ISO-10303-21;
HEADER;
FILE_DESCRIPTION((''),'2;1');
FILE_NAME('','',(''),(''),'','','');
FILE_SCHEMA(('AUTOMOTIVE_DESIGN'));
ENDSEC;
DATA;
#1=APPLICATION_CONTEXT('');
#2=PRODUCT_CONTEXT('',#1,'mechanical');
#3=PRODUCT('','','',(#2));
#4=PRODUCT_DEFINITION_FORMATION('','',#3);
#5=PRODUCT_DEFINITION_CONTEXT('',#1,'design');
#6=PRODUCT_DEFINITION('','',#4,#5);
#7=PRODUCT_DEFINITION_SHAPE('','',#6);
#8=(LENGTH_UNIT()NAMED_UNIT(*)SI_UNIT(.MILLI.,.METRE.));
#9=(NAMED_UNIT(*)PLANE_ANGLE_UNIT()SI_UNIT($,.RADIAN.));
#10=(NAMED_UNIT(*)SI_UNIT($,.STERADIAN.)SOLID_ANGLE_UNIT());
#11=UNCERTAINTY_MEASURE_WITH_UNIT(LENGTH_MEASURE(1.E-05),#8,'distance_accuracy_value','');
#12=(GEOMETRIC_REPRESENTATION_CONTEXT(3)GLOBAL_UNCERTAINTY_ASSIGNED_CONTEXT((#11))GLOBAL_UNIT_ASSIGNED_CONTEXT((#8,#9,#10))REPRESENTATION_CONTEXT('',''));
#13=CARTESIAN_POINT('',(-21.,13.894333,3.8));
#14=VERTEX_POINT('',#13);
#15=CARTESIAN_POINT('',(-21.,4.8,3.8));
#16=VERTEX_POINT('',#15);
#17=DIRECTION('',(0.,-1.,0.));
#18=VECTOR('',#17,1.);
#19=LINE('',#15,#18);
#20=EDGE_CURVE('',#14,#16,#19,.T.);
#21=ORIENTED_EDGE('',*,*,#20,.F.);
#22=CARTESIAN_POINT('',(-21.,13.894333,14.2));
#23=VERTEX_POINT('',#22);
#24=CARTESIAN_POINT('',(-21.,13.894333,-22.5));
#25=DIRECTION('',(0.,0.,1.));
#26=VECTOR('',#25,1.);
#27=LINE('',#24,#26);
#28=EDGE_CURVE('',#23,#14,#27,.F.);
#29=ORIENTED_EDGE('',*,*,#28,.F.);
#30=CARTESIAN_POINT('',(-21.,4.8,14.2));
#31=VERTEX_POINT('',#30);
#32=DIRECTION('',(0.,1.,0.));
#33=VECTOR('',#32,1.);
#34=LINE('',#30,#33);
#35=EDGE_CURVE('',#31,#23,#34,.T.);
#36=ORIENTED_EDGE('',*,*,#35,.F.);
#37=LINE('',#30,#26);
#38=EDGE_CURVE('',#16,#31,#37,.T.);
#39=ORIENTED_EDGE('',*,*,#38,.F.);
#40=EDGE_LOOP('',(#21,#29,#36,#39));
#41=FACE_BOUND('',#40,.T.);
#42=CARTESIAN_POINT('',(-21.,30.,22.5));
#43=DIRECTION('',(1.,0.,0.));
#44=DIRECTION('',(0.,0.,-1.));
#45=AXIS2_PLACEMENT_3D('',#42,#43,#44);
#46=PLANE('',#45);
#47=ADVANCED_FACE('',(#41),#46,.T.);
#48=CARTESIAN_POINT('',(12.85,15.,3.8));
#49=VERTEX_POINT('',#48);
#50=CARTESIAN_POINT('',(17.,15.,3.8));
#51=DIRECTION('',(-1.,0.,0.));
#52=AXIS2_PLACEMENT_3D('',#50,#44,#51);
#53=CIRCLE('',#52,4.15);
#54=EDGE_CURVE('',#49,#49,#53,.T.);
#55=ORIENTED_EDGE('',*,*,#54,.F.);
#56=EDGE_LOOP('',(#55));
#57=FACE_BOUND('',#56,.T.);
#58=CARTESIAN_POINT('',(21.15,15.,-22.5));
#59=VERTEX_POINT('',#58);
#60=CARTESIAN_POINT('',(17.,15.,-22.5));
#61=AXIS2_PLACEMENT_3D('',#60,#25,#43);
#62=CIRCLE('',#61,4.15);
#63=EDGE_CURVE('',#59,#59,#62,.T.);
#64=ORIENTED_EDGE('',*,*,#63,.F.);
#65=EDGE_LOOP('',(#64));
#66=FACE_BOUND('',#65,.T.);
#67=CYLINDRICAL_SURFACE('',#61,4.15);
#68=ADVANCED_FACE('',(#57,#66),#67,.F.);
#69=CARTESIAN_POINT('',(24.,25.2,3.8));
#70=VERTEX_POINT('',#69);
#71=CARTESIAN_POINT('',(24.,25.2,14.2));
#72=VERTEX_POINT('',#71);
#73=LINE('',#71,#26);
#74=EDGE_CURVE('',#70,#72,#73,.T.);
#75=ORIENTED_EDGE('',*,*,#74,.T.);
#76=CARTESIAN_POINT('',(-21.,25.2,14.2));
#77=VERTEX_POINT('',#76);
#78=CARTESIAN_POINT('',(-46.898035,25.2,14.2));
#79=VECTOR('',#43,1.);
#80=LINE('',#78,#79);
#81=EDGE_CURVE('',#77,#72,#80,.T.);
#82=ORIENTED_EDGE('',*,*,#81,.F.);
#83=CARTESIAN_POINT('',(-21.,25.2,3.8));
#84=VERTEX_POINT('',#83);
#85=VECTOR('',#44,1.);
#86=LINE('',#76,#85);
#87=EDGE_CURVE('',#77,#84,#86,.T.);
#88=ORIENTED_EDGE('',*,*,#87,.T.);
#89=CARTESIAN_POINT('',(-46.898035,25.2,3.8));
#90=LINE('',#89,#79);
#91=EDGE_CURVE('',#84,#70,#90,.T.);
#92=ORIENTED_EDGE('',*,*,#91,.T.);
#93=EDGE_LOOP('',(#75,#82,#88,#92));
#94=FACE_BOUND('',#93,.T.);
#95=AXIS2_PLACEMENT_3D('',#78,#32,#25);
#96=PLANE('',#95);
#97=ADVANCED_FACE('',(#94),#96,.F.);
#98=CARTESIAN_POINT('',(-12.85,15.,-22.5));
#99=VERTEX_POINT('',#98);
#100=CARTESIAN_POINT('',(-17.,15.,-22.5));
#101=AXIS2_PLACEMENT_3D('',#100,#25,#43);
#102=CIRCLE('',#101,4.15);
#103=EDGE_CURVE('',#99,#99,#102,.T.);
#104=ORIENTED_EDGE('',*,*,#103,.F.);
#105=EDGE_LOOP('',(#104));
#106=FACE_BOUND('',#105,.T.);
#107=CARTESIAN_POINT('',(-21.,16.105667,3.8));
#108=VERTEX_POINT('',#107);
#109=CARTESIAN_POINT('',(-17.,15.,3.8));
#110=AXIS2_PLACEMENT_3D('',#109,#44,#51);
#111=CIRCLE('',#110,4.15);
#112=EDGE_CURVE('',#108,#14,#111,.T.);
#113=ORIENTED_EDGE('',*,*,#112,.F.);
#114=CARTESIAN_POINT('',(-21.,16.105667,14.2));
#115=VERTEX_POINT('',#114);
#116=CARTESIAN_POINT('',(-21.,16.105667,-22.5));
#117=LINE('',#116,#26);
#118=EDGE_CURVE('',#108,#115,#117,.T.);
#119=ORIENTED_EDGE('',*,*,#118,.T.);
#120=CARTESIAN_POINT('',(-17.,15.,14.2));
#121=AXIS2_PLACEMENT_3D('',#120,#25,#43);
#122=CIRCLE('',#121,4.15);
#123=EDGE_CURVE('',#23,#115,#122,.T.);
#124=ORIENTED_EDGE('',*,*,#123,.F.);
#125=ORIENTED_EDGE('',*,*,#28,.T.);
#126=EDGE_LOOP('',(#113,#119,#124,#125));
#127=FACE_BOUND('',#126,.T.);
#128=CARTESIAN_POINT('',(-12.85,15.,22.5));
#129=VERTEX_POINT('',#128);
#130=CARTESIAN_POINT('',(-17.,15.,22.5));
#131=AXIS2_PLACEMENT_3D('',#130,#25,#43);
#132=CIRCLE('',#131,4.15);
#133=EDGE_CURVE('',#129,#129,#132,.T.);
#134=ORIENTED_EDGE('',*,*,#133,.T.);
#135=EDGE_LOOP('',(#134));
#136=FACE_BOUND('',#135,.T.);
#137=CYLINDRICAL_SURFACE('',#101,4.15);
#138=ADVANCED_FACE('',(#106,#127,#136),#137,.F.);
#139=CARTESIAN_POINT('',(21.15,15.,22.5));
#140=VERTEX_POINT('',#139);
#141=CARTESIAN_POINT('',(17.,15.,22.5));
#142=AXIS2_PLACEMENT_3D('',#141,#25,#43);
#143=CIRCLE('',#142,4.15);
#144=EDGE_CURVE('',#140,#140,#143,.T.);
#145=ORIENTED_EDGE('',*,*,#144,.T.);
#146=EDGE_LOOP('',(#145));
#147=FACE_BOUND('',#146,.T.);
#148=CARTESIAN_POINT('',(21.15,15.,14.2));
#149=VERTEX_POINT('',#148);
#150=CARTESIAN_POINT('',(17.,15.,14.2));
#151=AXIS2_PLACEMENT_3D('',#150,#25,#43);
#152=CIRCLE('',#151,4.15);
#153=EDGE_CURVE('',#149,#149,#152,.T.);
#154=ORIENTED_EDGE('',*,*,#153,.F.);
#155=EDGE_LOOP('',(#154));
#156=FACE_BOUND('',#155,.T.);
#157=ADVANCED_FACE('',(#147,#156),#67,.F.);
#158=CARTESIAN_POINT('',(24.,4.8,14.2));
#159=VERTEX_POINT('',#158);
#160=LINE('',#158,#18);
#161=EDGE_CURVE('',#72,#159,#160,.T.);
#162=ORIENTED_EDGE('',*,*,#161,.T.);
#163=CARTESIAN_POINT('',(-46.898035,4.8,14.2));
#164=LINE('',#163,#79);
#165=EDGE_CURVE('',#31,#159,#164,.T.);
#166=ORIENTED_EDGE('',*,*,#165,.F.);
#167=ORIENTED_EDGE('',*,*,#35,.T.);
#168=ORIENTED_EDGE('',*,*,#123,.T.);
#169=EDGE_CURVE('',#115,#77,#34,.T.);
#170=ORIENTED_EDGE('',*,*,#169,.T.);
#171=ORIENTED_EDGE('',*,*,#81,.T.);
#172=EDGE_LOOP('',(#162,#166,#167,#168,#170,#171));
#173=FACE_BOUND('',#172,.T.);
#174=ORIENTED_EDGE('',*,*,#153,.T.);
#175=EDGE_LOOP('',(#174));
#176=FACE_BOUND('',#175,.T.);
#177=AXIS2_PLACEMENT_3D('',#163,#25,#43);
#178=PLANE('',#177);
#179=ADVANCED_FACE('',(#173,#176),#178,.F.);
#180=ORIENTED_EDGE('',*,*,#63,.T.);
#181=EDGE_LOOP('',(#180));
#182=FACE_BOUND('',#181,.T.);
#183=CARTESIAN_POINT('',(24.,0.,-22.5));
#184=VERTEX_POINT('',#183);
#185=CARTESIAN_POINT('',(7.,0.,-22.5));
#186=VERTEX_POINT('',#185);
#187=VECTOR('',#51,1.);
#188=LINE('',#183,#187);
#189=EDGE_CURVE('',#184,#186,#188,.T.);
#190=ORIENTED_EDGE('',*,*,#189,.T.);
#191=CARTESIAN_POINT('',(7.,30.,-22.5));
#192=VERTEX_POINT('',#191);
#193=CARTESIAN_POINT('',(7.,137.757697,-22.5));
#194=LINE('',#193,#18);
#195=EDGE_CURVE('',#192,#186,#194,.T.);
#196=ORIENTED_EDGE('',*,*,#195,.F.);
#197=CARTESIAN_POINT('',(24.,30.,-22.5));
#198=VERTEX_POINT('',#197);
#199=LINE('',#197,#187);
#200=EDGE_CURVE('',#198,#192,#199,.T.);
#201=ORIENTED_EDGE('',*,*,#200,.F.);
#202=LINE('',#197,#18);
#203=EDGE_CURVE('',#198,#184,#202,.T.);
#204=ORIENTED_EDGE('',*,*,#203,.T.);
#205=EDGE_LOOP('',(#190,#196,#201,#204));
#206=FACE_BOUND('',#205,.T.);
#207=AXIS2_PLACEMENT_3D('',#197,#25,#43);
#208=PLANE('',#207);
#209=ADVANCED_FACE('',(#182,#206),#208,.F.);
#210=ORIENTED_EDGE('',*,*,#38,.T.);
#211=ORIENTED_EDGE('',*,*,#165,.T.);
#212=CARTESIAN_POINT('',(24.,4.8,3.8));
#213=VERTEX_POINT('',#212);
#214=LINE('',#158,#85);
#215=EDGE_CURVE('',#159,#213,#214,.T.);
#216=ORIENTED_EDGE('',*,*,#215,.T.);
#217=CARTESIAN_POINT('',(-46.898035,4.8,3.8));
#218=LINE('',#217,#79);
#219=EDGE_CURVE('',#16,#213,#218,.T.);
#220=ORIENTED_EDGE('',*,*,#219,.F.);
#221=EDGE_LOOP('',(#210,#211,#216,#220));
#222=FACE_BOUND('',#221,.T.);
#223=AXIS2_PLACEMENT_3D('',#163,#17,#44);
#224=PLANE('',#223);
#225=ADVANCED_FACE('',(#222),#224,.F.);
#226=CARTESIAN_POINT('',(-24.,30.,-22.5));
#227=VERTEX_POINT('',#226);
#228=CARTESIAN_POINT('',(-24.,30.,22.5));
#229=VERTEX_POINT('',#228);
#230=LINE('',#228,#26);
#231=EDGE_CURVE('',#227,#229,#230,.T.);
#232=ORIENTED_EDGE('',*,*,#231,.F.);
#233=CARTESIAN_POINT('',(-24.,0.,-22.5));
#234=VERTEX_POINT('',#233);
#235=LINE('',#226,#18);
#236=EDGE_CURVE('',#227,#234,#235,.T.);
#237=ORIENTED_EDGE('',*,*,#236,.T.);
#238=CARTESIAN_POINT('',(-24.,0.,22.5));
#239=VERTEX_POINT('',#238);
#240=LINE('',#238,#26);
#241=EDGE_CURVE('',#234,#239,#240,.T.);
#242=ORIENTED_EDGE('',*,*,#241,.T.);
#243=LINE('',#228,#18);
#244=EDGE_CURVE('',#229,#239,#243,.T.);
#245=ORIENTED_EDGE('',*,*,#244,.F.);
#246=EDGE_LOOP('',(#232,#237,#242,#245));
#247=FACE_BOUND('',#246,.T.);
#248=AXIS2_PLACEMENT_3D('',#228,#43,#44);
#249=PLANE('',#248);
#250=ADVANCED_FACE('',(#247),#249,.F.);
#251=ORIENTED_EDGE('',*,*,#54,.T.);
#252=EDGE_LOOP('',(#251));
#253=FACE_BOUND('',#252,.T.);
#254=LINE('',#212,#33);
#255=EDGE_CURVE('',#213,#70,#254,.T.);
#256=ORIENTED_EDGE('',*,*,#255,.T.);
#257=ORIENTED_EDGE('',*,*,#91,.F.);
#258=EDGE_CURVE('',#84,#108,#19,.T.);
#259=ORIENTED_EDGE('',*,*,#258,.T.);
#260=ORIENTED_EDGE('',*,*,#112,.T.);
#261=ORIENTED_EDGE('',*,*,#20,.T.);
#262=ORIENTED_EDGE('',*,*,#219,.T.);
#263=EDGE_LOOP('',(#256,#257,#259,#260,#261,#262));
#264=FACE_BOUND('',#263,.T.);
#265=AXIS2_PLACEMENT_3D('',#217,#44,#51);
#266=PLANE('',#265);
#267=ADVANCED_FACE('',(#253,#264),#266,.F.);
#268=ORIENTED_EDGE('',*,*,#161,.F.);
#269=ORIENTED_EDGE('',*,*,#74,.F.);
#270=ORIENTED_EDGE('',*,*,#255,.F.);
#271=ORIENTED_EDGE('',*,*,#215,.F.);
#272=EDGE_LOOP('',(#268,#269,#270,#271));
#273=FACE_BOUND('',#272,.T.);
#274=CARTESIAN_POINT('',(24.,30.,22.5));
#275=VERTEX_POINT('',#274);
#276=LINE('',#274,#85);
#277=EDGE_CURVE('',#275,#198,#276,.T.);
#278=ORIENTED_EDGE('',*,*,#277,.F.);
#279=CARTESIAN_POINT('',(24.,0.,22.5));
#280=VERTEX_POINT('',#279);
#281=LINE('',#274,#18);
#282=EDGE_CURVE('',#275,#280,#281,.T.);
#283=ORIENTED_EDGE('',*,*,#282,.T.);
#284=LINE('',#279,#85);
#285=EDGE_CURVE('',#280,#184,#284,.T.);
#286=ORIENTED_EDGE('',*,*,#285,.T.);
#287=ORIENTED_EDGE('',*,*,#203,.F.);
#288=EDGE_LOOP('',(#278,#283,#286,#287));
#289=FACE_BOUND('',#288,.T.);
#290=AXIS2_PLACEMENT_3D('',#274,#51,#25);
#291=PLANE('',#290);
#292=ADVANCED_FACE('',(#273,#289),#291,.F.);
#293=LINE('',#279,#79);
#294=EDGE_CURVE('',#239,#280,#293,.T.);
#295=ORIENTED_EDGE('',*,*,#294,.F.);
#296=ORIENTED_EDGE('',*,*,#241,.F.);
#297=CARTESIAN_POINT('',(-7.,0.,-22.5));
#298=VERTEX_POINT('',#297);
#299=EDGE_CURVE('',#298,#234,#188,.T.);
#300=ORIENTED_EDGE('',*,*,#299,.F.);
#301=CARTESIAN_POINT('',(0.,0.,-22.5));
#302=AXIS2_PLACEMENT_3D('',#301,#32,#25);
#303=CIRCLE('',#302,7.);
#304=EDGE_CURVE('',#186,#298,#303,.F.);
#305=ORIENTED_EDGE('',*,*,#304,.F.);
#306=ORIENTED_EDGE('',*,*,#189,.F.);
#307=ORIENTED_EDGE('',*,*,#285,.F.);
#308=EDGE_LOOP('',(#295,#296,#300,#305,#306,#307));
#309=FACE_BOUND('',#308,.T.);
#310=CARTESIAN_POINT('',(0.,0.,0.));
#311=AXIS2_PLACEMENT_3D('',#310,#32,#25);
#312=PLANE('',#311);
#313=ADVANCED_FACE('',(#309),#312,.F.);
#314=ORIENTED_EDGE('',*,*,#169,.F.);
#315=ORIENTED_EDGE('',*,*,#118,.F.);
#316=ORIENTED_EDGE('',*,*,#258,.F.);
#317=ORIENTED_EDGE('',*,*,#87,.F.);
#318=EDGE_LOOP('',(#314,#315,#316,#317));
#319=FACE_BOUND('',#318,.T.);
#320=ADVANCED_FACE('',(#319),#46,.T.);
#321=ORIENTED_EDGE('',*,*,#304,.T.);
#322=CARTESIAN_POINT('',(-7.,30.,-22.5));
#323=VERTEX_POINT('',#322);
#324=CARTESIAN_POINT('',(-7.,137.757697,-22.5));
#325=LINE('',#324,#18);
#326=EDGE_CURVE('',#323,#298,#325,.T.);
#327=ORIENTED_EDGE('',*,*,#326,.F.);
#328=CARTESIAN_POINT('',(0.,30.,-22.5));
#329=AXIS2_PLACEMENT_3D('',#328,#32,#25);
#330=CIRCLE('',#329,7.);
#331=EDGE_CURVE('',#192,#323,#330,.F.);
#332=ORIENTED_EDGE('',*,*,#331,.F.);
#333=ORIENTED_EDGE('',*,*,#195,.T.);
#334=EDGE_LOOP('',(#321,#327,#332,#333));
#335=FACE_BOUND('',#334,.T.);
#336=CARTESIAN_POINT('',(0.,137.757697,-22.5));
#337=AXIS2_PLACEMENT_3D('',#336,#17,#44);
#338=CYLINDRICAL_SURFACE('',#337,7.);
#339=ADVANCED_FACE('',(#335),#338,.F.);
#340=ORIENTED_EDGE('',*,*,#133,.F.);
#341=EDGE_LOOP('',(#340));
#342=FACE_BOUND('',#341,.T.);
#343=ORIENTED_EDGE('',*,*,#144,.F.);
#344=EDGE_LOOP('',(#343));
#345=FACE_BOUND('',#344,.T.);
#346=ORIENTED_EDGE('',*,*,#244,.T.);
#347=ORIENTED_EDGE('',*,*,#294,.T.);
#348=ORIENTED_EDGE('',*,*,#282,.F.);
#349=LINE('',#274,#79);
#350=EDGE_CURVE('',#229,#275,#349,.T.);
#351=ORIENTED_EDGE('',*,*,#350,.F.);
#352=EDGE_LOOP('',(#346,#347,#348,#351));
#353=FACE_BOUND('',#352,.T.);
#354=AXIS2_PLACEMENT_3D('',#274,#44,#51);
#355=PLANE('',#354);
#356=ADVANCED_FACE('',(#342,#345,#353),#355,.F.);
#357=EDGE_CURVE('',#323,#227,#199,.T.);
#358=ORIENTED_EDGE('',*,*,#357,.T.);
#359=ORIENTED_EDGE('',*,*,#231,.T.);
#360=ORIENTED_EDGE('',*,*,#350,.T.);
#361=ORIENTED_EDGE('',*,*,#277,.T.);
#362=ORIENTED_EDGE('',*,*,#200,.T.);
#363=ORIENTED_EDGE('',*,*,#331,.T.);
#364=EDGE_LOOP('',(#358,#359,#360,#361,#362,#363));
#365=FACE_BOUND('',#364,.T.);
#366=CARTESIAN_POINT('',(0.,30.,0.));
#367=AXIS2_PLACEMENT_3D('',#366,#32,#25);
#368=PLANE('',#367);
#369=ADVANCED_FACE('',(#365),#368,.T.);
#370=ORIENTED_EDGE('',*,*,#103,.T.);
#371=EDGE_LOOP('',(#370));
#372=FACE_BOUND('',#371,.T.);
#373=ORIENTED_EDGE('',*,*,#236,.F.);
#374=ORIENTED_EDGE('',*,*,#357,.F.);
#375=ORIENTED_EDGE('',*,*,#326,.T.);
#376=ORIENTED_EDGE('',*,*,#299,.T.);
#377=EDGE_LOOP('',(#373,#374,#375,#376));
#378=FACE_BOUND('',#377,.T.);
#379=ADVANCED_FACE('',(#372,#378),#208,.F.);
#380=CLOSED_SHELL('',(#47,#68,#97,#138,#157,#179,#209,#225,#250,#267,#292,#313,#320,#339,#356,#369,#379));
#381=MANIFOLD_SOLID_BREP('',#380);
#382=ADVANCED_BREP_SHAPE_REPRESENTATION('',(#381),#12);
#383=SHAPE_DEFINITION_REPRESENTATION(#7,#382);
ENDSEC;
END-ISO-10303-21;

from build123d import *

# Parameters (mm, degrees)
SKETCH1_W               = 48
SKETCH1_H               = 45
BOSS_EXTRUDE1_DEPTH     = 30
SKETCH2_W               = 10.4
SKETCH2_H               = 20.4
CUT_EXTRUDE1_DEPTH      = 45
SKETCH3_R               = 4.15
CUT_EXTRUDE2_DEPTH      = 46
CUT_EXTRUDE3_DEPTH      = 1
CUT_EXTRUDE3_DEPTH_BACK = 31


with BuildPart() as part:
    # Sketch1 → Boss-Extrude1 (new body)
    with BuildSketch(Plane(origin=(0, 0, 0), x_dir=(1, 0, 0), z_dir=(0, 1, 0))):
        Rectangle(SKETCH1_W, SKETCH1_H)
    extrude(amount=BOSS_EXTRUDE1_DEPTH)

    # Sketch2 → Cut-Extrude1 (cut)
    with BuildSketch(Plane(origin=(24, 0, 0), x_dir=(0, 0, -1), z_dir=(1, 0, 0))):
        with Locations((-9, 15)):
            Rectangle(SKETCH2_W, SKETCH2_H)
    extrude(amount=-CUT_EXTRUDE1_DEPTH, mode=Mode.SUBTRACT)

    # Sketch3 → Cut-Extrude2 (cut, through all)
    with BuildSketch(Plane.XY.offset(22.5)):
        with Locations((-17, 15)):
            Circle(SKETCH3_R)
        with Locations((17, 15)):
            Circle(SKETCH3_R)
    extrude(amount=-CUT_EXTRUDE2_DEPTH, mode=Mode.SUBTRACT)

    # Sketch4 → Cut-Extrude3 (cut, two sides)
    with BuildSketch(Plane(origin=(0, 30, 0), x_dir=(1, 0, 0), z_dir=(0, 1, 0))) as cut_extrude3_sk:
        with BuildLine():
            Line((-7, 141.788608739), (-7, 22.5))
            ThreePointArc((-7, 22.5), (0, 15.5), (7, 22.5))
            Line((7, 22.5), (7, 141.788608739))
            Line((7, 141.788608739), (7, 380.365826216))
            Line((7, 380.365826216), (-7, 380.365826216))
            Line((-7, 380.365826216), (-7, 141.788608739))
        make_face()
    extrude(amount=CUT_EXTRUDE3_DEPTH, mode=Mode.SUBTRACT)
    extrude(cut_extrude3_sk.sketch, amount=-CUT_EXTRUDE3_DEPTH_BACK, mode=Mode.SUBTRACT)


solid = part.part
